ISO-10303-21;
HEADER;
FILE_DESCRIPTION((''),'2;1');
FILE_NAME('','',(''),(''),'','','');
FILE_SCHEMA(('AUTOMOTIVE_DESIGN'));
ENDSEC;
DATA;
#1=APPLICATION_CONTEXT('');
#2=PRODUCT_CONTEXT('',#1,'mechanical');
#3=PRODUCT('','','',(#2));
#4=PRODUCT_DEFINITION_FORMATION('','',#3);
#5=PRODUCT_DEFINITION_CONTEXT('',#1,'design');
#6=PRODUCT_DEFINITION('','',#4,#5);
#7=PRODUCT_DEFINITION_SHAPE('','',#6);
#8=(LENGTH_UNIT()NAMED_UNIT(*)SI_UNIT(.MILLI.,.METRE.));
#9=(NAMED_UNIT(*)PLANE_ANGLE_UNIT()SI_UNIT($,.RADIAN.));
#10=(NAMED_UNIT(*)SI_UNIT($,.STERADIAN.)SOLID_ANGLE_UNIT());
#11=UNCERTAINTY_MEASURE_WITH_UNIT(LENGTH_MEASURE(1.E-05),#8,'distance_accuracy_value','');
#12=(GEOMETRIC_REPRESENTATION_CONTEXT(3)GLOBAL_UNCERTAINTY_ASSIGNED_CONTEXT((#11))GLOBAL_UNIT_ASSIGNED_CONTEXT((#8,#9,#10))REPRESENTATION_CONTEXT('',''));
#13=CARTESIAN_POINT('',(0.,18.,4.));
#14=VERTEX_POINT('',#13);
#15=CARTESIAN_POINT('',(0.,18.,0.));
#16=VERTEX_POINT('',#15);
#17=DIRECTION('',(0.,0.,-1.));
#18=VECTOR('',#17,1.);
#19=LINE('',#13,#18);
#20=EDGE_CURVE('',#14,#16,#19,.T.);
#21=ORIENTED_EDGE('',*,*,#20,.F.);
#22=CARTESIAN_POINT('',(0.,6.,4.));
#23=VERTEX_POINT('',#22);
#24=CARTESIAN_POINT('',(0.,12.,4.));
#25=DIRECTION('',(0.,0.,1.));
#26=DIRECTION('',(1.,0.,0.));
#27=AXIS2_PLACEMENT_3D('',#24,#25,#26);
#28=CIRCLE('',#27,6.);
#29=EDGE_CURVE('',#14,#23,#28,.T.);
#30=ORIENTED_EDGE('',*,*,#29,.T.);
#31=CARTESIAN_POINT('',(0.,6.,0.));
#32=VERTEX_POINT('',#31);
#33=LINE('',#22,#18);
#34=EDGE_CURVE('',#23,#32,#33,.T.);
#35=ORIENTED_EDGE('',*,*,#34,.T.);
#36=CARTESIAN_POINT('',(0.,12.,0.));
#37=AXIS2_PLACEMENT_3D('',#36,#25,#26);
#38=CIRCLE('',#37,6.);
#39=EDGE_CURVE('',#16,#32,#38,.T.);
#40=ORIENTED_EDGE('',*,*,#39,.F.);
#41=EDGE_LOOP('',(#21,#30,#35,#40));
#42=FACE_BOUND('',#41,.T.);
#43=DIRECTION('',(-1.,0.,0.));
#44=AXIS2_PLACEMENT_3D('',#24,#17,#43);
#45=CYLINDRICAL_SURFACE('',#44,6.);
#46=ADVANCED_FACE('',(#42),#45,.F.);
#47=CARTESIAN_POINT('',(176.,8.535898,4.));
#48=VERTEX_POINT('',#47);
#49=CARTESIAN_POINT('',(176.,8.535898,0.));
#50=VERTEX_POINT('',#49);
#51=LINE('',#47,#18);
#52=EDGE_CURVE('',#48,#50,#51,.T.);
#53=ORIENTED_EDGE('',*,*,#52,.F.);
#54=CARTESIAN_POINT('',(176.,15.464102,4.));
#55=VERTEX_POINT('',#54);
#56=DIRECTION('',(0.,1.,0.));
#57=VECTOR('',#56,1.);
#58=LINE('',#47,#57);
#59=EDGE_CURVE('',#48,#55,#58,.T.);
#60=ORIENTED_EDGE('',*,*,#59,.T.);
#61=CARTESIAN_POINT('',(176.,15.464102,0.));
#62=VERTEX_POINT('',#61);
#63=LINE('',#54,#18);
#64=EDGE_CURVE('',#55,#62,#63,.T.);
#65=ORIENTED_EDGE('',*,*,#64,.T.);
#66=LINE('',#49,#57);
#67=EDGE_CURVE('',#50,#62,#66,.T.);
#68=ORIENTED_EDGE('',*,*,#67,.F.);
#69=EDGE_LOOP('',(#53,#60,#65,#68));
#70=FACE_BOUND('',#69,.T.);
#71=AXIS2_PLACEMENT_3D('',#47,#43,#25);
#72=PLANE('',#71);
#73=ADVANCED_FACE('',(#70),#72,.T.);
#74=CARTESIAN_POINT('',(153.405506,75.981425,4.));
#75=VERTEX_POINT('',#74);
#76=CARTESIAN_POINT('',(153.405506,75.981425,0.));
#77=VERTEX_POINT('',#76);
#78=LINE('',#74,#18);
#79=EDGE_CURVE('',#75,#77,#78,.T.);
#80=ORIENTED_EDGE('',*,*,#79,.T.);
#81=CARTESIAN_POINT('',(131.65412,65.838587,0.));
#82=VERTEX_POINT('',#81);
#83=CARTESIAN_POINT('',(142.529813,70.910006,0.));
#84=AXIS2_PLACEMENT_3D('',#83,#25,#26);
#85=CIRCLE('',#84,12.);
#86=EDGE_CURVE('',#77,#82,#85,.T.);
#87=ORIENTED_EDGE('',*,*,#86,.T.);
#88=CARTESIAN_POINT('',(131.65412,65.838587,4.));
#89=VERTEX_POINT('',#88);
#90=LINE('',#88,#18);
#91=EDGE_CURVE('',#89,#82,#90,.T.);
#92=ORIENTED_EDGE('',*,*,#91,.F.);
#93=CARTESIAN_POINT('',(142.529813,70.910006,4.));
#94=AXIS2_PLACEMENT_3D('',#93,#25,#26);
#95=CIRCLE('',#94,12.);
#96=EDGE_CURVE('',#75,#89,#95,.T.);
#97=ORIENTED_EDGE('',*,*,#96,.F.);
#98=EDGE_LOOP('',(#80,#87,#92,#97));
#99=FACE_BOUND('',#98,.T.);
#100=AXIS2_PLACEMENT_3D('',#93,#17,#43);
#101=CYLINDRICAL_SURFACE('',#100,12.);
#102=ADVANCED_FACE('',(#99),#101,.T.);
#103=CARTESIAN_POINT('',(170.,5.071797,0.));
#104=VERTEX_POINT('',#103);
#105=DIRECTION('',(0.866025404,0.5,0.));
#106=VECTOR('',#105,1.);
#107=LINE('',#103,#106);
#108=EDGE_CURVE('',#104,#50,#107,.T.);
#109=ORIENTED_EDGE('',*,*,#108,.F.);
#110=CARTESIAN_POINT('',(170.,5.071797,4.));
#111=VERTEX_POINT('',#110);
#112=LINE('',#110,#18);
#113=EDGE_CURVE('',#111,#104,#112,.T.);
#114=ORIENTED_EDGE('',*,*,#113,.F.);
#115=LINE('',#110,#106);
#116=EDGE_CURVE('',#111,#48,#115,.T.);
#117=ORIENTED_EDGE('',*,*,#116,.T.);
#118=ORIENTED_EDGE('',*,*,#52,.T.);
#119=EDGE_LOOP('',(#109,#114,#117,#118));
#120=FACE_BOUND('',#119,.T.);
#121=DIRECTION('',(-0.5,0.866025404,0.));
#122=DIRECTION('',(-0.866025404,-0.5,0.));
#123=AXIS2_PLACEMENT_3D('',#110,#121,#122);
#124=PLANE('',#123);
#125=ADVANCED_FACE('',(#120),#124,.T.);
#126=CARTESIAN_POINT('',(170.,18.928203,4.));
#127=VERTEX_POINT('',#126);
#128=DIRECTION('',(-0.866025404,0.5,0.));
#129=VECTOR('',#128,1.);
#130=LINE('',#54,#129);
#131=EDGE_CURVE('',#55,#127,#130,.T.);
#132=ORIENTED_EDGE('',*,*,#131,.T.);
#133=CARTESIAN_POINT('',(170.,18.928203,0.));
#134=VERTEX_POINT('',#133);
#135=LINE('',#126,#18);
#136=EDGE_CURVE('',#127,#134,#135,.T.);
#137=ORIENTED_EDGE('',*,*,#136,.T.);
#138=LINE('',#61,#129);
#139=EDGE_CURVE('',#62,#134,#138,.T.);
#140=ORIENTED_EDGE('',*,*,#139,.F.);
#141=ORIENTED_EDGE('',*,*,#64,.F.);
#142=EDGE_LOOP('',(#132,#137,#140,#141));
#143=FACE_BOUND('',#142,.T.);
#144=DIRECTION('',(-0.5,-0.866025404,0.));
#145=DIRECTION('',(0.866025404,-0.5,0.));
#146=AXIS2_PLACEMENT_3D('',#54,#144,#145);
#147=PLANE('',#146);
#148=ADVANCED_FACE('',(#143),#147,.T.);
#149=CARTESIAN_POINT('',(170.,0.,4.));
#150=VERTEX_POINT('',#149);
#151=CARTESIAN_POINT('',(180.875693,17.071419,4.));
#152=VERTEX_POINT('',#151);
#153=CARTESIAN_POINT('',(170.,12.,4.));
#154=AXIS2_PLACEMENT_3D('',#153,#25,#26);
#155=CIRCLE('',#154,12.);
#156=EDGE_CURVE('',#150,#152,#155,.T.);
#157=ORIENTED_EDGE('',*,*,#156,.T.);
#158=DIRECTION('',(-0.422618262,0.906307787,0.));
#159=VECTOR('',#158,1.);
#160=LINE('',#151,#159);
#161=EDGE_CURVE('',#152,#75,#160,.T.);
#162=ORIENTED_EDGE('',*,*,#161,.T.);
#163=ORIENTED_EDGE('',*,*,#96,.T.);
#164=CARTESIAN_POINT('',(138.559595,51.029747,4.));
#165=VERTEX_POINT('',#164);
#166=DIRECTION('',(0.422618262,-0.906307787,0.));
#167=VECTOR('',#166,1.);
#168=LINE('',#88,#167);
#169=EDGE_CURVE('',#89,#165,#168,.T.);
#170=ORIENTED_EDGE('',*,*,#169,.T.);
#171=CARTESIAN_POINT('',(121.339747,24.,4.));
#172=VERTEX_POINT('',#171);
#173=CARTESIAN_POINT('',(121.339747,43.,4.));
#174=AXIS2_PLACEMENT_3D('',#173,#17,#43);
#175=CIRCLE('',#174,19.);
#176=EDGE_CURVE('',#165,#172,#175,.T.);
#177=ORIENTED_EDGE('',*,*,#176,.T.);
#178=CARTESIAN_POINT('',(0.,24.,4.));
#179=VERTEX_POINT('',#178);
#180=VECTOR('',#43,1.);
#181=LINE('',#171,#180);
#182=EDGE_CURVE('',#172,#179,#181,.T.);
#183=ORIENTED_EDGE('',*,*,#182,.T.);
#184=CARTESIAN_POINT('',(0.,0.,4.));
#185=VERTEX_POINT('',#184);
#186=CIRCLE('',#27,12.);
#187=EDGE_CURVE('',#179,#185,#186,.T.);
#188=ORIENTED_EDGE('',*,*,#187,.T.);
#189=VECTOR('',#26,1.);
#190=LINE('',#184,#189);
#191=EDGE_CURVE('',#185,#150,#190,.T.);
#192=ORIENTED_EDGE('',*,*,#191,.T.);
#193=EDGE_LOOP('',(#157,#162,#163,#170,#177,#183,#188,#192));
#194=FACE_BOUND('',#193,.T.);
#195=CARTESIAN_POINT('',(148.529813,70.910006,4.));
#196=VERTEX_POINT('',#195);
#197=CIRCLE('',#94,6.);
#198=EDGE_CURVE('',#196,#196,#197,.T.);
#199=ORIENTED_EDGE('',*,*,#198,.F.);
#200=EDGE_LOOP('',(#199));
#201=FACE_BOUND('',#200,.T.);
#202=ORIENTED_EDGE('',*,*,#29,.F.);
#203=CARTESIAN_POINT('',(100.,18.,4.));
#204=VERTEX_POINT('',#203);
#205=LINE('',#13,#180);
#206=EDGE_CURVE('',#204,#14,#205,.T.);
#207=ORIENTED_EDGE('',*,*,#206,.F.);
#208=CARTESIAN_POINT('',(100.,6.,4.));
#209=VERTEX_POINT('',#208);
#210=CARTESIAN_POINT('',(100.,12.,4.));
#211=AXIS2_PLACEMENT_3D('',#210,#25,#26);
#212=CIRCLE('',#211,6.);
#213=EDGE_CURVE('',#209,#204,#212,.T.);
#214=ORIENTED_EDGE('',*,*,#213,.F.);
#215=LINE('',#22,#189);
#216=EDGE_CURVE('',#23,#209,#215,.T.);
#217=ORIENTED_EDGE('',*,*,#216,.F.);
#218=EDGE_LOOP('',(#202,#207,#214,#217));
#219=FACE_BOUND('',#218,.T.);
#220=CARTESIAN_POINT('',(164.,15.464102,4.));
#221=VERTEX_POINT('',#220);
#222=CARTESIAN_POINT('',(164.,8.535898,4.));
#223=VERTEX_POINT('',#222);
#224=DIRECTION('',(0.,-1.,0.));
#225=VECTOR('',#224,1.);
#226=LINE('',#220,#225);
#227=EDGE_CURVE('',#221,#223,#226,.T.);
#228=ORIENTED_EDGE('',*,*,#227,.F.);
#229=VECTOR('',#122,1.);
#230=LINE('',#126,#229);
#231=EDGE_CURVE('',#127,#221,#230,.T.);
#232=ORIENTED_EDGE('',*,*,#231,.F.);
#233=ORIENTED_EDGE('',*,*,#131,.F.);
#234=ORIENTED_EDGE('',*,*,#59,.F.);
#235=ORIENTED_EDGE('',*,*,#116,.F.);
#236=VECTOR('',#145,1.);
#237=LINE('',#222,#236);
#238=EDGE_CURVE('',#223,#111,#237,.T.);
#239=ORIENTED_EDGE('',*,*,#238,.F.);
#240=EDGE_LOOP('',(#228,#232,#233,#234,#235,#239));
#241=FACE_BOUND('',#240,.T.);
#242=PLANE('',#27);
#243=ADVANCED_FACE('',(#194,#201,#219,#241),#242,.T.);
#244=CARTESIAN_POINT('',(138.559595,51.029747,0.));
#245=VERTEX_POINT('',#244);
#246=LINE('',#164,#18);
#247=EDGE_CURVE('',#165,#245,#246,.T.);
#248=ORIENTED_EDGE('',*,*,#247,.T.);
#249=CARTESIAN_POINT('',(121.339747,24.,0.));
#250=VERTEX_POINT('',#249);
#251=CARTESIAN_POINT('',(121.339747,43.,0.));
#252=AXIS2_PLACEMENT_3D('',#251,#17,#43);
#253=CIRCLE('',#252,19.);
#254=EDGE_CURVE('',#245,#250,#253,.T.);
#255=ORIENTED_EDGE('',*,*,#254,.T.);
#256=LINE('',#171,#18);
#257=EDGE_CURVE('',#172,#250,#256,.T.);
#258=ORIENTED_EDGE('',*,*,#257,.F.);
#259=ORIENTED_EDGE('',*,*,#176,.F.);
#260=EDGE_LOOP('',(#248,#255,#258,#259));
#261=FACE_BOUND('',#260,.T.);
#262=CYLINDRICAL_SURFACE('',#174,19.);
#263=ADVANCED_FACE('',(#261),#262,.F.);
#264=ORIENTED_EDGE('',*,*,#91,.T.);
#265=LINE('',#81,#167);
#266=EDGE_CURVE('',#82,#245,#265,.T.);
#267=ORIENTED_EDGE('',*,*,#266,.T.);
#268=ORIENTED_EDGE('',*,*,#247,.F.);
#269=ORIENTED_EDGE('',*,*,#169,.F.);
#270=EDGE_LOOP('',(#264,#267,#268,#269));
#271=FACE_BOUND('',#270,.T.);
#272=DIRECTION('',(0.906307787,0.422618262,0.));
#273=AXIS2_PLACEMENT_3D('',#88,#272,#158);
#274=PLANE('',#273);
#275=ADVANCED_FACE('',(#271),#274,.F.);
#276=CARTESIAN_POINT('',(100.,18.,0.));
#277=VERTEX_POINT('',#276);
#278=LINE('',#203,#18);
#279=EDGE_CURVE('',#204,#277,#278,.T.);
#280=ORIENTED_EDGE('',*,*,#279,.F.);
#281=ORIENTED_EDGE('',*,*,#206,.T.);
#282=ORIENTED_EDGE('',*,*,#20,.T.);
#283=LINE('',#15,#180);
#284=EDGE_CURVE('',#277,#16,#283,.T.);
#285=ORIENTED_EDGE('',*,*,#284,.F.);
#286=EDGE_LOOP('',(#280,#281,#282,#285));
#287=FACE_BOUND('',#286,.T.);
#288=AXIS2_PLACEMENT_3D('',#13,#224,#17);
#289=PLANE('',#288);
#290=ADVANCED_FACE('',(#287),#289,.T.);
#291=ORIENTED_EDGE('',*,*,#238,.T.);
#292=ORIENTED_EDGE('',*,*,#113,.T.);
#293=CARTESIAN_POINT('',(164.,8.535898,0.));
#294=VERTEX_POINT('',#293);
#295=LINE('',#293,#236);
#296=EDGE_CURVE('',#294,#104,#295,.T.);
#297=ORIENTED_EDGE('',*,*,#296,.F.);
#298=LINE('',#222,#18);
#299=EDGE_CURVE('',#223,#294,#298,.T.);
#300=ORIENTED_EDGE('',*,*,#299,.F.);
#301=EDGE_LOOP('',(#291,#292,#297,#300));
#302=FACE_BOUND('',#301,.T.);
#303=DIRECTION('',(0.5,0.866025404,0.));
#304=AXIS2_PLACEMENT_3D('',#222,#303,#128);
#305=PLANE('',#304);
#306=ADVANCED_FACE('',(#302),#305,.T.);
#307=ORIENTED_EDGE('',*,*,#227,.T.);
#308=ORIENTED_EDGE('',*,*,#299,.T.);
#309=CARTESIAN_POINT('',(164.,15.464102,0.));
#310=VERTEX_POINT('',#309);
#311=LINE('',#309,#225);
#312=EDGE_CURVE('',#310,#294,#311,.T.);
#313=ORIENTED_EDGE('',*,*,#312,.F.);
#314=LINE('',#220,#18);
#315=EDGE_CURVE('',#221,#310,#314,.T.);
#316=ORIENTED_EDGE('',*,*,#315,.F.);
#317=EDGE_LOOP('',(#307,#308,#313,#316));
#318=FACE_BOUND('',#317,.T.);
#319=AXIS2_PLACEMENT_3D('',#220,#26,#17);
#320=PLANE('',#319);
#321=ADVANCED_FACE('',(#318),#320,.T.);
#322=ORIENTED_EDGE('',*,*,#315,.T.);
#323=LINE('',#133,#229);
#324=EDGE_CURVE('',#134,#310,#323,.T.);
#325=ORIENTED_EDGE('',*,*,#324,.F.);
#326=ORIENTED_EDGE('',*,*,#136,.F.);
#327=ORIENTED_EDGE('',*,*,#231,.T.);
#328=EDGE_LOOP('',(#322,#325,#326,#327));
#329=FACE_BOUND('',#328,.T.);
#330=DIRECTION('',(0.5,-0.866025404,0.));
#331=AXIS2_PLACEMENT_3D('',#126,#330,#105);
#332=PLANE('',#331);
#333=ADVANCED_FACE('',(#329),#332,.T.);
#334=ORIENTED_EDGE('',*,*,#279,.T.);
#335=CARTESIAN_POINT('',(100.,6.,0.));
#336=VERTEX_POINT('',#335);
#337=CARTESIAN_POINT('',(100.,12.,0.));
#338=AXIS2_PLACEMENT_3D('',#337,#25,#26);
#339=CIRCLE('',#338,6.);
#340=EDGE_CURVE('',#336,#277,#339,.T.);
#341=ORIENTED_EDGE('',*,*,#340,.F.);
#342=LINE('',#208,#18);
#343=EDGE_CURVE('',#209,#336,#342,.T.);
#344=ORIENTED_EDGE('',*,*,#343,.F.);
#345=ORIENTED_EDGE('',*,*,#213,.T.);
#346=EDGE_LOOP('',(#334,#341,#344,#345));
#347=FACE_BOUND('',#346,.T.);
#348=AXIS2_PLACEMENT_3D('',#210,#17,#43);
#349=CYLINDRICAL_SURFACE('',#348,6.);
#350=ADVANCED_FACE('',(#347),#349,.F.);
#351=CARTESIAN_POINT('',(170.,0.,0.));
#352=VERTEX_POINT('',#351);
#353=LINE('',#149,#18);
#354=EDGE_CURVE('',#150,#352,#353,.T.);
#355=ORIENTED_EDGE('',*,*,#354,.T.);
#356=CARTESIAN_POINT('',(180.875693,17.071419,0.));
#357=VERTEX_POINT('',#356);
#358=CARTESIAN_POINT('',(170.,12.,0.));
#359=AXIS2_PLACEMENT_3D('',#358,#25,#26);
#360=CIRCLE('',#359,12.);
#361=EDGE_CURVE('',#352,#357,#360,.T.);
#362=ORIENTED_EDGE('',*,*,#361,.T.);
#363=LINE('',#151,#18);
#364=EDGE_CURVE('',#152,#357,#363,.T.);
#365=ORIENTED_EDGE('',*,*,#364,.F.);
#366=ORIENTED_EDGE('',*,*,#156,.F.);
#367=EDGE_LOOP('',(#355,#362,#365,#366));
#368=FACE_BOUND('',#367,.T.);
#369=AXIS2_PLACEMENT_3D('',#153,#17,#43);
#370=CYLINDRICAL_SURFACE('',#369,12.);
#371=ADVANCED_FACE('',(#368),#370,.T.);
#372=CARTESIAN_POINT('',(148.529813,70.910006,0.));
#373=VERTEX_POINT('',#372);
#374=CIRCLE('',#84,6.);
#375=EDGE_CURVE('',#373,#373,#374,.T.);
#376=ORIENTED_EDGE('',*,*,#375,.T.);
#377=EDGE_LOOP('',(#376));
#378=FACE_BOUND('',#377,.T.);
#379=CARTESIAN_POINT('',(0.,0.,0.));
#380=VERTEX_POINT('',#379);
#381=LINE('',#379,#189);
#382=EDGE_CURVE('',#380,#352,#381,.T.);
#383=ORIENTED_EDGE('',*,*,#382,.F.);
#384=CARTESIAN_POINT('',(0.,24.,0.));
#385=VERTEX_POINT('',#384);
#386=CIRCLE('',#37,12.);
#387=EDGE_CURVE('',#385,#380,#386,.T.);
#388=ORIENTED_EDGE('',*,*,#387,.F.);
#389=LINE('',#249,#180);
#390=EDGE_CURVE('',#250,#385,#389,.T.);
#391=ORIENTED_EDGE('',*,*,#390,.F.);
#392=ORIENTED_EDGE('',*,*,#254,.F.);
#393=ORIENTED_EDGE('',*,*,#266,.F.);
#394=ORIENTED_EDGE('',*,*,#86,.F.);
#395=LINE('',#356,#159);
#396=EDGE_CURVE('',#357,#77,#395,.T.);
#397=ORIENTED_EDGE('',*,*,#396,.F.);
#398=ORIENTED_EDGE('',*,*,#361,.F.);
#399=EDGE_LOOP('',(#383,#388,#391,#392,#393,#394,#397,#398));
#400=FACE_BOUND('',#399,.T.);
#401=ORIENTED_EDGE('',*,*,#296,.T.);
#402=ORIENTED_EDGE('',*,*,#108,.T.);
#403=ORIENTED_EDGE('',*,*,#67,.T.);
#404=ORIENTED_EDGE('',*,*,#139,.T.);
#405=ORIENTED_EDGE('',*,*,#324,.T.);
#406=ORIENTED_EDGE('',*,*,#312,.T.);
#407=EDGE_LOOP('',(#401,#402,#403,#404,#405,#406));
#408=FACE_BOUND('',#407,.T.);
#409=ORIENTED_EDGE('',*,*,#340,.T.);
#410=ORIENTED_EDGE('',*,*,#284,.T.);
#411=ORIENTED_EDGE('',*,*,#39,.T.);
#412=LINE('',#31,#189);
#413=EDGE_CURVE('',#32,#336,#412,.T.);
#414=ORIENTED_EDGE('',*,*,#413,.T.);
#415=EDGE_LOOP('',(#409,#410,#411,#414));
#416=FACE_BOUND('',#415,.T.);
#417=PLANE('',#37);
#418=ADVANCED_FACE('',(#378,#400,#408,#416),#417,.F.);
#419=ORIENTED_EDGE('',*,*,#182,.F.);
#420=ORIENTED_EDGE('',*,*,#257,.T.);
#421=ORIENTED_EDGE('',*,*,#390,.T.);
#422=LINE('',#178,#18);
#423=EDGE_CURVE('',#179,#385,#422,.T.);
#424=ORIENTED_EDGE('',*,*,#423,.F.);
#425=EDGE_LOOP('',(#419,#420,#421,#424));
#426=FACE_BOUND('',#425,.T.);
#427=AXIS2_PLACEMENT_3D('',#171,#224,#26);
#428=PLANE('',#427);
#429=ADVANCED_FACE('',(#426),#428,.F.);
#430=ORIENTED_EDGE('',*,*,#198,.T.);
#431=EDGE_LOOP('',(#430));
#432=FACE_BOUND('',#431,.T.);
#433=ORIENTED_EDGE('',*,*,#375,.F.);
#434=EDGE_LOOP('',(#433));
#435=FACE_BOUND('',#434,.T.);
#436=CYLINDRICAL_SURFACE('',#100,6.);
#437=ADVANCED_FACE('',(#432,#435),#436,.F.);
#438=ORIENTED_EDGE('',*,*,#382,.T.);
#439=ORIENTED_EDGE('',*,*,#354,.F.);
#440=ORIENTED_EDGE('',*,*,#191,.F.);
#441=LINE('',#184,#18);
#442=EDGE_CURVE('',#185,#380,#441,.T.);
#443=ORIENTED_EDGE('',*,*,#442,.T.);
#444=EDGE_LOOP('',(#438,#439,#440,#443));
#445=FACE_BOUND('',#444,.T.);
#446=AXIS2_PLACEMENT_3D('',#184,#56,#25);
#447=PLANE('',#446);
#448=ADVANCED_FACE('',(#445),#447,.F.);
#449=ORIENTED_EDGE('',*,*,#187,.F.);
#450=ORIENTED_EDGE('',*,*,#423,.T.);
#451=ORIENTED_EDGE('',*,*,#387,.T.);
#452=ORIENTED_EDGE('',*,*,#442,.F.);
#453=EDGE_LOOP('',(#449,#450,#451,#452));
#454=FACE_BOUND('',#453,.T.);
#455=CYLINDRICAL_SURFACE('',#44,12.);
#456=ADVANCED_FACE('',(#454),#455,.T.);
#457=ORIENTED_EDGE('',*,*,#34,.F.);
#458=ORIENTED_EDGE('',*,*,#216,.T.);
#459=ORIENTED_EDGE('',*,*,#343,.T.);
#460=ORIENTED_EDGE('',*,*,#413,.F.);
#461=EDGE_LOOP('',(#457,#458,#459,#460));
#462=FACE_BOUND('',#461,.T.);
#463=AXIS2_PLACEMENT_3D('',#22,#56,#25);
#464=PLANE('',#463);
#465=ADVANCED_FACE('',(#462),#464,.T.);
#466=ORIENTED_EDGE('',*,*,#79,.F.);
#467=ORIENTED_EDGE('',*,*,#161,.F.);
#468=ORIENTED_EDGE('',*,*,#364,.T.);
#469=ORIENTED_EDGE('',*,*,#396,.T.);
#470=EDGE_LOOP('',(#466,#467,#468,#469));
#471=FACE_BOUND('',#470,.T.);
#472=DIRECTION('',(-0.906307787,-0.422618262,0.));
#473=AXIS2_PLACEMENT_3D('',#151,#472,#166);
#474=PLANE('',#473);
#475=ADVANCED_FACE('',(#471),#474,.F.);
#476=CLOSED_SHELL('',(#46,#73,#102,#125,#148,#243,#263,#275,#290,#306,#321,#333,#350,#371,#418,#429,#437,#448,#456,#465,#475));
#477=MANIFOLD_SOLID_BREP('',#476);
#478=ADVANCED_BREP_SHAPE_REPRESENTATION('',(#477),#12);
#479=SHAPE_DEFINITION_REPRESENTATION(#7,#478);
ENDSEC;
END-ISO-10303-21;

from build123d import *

# Parameters (mm, degrees)
SKETCH1_R           = 6
BOSS_EXTRUDE1_DEPTH = 4


with BuildPart() as part:
    # Sketch1 → Boss-Extrude1 (new body)
    with BuildSketch(Plane.XY):
        with BuildLine():
            Line((0, 0), (170, 0))
            ThreePointArc((170, 0), (180.12069735, 5.5524047), (180.875693444, 17.071419141))
            Line((180.875693444, 17.071419141), (153.405506431, 75.981425298))
            ThreePointArc((153.405506431, 75.981425298), (137.458393846, 81.785699602), (131.654119542, 65.838587016))
            Line((131.654119542, 65.838587016), (138.559595063, 51.029746973))
            ThreePointArc((138.559595063, 51.029746973), (137.36418458, 32.791307441), (121.339747109, 24))
            Line((121.339747109, 24), (0, 24))
            ThreePointArc((0, 24), (-12, 12), (0, 0))
        make_face()
        with Locations((142.529812987, 70.910006157)):
            Circle(SKETCH1_R, mode=Mode.SUBTRACT)
        with BuildLine():
            Line((0, 18), (100, 18))
            ThreePointArc((100, 18), (106, 12), (100, 6))
            Line((100, 6), (0, 6))
            ThreePointArc((0, 6), (-6, 12), (0, 18))
        make_face(mode=Mode.SUBTRACT)
        Polygon((170, 18.92820323), (164, 15.464101615), (164, 8.535898385), (170, 5.07179677), (176, 8.535898385), (176, 15.464101615), align=None, mode=Mode.SUBTRACT)
    extrude(amount=BOSS_EXTRUDE1_DEPTH)


solid = part.part
